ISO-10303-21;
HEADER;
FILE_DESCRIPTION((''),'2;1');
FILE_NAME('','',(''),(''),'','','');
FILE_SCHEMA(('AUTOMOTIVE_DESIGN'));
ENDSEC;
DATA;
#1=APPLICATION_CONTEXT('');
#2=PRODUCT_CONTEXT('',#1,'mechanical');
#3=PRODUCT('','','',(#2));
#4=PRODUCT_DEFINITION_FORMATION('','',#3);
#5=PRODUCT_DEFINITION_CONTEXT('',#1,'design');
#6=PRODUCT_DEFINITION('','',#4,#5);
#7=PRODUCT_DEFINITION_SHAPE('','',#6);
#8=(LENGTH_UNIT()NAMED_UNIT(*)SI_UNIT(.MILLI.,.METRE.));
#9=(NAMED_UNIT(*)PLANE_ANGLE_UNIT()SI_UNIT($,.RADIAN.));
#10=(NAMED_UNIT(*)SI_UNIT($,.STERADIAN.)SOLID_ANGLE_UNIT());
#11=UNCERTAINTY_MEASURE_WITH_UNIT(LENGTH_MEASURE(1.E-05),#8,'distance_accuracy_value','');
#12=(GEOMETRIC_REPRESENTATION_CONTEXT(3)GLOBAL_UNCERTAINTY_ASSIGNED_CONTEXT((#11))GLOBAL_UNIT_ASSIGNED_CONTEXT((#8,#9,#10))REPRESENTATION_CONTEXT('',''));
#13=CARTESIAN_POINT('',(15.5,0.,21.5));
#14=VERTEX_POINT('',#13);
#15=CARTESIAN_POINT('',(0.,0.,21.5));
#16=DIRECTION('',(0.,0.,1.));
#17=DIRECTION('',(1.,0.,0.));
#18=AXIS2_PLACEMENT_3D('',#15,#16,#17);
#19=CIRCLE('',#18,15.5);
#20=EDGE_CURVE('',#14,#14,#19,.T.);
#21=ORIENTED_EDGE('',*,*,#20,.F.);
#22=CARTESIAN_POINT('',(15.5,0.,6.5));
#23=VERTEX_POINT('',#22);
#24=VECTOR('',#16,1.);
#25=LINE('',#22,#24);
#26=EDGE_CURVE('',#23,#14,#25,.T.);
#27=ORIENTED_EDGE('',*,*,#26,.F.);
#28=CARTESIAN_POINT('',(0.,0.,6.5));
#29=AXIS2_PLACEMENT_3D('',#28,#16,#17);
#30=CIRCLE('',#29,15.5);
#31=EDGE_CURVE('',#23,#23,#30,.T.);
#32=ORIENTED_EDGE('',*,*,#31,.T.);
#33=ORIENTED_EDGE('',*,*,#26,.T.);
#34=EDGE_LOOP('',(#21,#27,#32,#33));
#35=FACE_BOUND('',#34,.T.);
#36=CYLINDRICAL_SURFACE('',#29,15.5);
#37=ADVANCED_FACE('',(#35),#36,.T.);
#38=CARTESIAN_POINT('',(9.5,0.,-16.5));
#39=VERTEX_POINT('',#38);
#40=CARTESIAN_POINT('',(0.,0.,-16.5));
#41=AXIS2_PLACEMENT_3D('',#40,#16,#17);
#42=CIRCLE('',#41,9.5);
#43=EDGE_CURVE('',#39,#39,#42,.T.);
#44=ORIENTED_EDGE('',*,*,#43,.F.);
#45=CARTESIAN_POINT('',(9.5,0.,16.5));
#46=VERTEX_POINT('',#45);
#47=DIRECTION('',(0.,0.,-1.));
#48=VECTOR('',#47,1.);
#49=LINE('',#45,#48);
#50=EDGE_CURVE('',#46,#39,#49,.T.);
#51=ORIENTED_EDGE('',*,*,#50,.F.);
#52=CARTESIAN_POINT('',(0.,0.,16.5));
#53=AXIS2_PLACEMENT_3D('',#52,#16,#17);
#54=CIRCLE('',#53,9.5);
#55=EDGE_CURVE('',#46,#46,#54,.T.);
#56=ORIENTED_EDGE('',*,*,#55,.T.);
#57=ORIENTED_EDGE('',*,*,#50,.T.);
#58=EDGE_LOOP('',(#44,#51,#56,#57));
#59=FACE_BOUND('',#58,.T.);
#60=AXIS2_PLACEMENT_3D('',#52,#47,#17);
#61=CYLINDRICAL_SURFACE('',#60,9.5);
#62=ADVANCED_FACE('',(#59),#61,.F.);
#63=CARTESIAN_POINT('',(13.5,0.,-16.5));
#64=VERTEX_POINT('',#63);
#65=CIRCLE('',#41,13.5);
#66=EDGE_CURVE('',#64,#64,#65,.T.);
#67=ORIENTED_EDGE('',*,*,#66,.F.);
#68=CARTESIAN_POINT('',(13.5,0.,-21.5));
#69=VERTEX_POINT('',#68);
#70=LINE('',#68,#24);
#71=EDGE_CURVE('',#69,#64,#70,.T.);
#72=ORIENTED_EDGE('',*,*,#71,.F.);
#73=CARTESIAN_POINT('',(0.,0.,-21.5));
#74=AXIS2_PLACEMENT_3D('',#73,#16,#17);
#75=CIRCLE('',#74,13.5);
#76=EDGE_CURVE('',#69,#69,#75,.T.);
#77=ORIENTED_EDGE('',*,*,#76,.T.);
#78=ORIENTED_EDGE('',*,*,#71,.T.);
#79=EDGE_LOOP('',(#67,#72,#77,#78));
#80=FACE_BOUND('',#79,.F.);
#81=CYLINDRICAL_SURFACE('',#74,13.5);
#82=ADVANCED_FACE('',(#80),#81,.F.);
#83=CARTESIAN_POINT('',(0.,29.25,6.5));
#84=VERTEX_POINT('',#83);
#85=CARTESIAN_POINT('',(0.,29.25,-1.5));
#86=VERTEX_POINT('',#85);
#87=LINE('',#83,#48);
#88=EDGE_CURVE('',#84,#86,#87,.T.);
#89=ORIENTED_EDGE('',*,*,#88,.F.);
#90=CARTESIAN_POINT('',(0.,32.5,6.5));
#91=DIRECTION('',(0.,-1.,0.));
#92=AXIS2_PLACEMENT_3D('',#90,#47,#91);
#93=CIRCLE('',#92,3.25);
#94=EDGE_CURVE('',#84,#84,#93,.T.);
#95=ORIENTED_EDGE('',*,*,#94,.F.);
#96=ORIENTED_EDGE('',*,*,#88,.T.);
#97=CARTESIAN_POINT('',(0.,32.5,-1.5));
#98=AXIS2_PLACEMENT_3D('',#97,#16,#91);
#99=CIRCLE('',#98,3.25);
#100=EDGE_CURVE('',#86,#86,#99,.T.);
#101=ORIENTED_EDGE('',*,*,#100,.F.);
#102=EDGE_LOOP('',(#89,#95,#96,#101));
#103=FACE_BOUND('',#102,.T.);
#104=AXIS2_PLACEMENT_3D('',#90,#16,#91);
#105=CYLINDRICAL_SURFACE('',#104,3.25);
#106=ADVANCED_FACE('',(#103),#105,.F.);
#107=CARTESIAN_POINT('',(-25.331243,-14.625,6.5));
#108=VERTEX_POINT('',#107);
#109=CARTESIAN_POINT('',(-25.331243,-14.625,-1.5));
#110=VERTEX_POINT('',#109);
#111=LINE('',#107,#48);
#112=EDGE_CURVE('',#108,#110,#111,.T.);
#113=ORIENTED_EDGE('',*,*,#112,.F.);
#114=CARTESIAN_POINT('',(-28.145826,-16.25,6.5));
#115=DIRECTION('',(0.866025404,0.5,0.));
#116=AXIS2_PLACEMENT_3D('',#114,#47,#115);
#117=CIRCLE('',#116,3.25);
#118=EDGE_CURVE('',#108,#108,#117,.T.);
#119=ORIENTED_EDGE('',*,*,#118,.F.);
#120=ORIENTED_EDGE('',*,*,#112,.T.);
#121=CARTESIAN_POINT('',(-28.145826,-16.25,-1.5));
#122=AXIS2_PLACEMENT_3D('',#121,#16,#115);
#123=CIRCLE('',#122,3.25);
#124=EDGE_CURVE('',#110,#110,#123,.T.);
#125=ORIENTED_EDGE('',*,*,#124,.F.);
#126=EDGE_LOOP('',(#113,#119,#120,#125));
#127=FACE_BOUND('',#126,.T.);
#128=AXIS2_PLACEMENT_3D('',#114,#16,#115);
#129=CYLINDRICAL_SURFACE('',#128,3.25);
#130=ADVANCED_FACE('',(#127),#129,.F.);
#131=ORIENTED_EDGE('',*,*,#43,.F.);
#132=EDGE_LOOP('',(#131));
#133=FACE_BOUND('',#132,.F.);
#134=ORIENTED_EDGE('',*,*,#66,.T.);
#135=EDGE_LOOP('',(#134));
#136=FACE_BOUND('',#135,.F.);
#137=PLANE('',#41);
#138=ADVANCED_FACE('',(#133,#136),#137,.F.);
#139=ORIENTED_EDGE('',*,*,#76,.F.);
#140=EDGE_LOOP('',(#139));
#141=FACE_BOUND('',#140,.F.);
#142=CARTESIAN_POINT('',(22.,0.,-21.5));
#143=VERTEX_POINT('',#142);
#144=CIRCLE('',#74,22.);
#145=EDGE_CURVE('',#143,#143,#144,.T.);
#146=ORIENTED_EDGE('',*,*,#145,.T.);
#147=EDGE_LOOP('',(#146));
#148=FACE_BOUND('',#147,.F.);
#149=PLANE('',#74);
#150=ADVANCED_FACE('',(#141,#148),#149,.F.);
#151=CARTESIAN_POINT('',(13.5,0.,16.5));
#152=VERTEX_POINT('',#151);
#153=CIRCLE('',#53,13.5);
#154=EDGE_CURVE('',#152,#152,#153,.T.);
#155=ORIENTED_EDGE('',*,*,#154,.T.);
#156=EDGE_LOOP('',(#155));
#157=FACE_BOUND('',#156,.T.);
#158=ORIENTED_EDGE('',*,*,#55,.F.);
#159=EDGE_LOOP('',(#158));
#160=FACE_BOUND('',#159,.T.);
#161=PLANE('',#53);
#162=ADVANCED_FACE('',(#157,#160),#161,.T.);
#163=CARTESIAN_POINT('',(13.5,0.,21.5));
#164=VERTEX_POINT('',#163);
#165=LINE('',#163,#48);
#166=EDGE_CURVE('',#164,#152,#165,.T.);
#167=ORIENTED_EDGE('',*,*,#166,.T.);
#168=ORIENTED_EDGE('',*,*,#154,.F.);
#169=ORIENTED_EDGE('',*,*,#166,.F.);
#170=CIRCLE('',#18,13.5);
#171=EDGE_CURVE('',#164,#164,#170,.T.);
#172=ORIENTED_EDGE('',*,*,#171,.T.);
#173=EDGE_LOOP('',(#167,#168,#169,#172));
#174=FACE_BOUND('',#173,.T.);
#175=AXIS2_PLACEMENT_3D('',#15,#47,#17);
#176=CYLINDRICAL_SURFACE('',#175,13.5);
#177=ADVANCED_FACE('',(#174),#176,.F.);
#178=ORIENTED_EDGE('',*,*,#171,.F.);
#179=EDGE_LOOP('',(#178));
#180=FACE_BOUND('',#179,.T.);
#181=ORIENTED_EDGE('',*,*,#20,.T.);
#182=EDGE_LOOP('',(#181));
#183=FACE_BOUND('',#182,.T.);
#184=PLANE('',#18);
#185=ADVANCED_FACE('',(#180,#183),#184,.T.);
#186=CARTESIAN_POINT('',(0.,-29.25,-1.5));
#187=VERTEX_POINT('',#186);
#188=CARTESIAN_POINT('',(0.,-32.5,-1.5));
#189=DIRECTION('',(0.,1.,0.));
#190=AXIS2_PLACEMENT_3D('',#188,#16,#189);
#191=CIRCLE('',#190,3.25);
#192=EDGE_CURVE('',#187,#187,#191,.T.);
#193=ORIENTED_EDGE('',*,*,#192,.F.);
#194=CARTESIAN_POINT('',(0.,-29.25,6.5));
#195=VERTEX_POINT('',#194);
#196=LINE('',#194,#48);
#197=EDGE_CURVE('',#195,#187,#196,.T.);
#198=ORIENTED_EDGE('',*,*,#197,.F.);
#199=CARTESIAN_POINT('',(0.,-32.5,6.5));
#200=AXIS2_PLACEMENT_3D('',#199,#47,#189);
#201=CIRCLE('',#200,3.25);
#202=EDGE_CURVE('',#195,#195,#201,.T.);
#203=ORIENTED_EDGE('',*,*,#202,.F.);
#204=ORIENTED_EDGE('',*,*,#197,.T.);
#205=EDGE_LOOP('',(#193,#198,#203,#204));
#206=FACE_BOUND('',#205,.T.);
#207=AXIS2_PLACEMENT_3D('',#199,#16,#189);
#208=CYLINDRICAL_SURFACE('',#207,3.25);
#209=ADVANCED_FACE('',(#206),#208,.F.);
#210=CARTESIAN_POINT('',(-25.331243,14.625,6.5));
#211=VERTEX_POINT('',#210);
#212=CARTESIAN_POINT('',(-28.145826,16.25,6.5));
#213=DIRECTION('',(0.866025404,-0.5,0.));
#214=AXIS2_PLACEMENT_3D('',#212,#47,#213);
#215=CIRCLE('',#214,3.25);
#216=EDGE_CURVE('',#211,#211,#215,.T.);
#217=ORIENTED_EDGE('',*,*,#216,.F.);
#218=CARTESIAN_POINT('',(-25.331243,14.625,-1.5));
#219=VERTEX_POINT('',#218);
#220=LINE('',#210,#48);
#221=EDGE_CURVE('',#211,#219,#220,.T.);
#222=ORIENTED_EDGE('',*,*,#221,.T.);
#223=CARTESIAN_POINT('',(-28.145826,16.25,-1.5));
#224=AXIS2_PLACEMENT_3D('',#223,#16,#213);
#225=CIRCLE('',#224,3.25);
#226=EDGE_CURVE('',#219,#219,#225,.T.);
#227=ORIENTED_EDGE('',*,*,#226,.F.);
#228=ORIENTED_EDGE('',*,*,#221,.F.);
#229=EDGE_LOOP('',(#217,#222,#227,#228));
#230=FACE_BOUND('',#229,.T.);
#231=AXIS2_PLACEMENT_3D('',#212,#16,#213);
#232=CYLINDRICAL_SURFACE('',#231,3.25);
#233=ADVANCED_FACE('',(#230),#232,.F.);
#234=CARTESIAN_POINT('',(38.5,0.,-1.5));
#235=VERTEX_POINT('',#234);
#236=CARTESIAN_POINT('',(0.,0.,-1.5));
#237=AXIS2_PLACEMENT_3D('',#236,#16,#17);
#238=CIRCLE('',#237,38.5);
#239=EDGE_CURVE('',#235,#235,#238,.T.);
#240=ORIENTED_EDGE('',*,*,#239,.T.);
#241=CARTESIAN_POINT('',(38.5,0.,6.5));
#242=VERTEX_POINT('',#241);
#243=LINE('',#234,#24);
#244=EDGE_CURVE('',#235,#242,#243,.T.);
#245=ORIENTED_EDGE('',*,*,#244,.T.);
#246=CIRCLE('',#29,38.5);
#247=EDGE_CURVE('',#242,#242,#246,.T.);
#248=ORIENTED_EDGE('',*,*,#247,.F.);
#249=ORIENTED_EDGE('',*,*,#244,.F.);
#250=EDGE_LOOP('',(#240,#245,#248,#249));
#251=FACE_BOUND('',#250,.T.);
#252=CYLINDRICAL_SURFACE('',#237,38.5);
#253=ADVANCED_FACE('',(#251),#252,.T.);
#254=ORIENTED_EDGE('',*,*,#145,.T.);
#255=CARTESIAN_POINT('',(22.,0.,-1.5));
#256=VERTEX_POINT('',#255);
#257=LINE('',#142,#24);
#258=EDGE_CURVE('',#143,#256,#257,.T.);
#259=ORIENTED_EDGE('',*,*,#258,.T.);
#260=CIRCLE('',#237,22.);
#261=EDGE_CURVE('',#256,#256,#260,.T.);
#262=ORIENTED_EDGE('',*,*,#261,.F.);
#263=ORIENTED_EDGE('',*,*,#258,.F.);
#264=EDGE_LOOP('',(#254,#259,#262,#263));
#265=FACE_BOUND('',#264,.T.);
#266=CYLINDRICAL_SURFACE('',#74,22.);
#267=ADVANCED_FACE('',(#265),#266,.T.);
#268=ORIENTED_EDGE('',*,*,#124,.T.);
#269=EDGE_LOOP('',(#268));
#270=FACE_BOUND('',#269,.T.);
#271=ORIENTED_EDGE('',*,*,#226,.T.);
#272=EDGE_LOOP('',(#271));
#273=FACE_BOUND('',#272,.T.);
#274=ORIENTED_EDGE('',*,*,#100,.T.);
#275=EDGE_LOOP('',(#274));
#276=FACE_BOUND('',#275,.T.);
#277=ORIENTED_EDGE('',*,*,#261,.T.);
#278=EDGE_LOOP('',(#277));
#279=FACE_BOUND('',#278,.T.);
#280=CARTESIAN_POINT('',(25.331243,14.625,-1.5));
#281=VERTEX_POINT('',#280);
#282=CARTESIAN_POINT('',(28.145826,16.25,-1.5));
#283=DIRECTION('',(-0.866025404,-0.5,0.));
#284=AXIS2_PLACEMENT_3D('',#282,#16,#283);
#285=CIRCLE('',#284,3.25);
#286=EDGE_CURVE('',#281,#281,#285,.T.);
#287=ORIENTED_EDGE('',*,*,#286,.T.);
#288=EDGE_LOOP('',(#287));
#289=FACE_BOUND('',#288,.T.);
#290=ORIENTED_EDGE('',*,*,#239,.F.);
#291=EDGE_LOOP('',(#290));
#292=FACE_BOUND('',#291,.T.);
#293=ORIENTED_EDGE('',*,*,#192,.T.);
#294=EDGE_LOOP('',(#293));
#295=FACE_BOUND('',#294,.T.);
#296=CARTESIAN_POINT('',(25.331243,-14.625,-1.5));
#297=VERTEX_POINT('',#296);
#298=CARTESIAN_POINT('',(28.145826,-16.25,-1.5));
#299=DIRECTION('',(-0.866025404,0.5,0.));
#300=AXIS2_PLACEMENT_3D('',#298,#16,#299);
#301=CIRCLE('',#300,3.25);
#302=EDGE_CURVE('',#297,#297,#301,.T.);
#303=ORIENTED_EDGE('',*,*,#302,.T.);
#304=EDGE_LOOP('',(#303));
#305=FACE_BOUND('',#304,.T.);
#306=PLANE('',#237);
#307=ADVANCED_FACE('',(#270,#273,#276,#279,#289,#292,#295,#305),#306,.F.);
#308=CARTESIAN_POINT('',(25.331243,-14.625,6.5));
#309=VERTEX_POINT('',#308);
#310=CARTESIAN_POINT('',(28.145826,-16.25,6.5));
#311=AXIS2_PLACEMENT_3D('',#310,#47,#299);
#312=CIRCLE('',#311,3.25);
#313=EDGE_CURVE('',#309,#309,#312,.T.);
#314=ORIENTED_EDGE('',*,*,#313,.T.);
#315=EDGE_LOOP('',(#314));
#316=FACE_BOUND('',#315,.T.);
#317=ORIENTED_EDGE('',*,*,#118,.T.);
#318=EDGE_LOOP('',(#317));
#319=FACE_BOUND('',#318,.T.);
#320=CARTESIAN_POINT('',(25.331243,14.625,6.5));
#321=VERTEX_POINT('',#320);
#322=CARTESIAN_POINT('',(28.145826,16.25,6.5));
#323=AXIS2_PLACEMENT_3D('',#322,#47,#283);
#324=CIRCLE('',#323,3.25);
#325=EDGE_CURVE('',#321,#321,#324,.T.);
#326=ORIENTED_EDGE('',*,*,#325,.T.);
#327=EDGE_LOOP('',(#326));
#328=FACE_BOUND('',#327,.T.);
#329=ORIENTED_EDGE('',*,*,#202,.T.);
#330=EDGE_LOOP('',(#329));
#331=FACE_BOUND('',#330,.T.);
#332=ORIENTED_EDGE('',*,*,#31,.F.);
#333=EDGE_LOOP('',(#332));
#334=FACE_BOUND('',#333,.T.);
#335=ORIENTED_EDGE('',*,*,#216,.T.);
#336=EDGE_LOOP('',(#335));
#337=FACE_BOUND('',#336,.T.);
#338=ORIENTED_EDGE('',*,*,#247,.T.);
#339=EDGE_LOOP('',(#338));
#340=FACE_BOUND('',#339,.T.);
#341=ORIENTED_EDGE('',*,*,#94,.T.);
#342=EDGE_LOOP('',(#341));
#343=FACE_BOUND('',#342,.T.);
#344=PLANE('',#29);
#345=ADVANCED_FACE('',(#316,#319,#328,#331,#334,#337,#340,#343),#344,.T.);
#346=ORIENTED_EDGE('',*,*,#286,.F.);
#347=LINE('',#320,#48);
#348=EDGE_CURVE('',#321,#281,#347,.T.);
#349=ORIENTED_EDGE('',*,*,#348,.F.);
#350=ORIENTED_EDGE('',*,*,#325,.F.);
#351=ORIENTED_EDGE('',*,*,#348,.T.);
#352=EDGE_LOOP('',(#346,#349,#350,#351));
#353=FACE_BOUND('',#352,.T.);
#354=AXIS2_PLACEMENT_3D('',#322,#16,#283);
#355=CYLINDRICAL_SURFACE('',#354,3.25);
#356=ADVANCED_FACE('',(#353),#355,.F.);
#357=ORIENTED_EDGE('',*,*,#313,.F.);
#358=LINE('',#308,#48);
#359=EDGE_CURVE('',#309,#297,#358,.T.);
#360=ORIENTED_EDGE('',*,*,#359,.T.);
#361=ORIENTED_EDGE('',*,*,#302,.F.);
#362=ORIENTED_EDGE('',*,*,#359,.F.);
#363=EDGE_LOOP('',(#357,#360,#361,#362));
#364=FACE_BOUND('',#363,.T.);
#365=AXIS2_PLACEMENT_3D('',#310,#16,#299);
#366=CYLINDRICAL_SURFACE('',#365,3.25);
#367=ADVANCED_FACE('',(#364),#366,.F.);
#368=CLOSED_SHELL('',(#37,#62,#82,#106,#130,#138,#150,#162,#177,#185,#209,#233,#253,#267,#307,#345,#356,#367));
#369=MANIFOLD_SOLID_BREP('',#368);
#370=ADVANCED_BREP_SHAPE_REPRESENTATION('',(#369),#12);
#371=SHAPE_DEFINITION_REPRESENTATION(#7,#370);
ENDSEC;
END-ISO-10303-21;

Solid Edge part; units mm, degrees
sketch "Sketch1" plane through (0, 0, 0) normal (0, -1, 0) x (1, 0, 0)
  line L0 (9.5, 16.5) -> (9.5, -16.5)
  line L1 (13.5, -16.5) -> (9.5, -16.5)
  line L2 (13.5, -21.5) -> (13.5, -16.5)
  line L3 (22, -21.5) -> (13.5, -21.5)
  line L4 (22, -21.5) -> (22, -1.5)
  line L5 (22, -1.5) -> (38.5, -1.5)
  line L6 (38.5, -1.5) -> (38.5, 6.5)
  line L7 (38.5, 6.5) -> (15.5, 6.5)
  line L8 (15.5, 6.5) -> (15.5, 21.5)
  line L9 (15.5, 21.5) -> (13.5, 21.5)
  line L10 (13.5, 21.5) -> (13.5, 16.5)
  line L11 (13.5, 16.5) -> (9.5, 16.5)
  dimension "D1" = 8
  dimension "D2" = 15
  dimension "D3" = 9.5
  dimension "D4" = 13.5
  dimension "D5" = 15.5
  dimension "D6" = 38.5
  dimension "D7" = 22
  dimension "D8" = 43
  dimension "D9" = 5
  dimension "D10" = 13.5
  dimension "D11" = 5
revolve "RevolvedProtrusion1" add sketch "Sketch1" angle 360 about axis through (0, 0, 0) along (0, 0, 1)
hole "Hole1" at (0, 32.5, 6.5) direction (0, 0, -1) diameter 6.5 end up to next
pattern_circular "Pattern1" count 6 over 360 about axis through (0, 0, 6.5) along (0, 0, -1) of "Hole1"
properties part number "1976-1200-007" material "Aluminio, 7075-T6"
